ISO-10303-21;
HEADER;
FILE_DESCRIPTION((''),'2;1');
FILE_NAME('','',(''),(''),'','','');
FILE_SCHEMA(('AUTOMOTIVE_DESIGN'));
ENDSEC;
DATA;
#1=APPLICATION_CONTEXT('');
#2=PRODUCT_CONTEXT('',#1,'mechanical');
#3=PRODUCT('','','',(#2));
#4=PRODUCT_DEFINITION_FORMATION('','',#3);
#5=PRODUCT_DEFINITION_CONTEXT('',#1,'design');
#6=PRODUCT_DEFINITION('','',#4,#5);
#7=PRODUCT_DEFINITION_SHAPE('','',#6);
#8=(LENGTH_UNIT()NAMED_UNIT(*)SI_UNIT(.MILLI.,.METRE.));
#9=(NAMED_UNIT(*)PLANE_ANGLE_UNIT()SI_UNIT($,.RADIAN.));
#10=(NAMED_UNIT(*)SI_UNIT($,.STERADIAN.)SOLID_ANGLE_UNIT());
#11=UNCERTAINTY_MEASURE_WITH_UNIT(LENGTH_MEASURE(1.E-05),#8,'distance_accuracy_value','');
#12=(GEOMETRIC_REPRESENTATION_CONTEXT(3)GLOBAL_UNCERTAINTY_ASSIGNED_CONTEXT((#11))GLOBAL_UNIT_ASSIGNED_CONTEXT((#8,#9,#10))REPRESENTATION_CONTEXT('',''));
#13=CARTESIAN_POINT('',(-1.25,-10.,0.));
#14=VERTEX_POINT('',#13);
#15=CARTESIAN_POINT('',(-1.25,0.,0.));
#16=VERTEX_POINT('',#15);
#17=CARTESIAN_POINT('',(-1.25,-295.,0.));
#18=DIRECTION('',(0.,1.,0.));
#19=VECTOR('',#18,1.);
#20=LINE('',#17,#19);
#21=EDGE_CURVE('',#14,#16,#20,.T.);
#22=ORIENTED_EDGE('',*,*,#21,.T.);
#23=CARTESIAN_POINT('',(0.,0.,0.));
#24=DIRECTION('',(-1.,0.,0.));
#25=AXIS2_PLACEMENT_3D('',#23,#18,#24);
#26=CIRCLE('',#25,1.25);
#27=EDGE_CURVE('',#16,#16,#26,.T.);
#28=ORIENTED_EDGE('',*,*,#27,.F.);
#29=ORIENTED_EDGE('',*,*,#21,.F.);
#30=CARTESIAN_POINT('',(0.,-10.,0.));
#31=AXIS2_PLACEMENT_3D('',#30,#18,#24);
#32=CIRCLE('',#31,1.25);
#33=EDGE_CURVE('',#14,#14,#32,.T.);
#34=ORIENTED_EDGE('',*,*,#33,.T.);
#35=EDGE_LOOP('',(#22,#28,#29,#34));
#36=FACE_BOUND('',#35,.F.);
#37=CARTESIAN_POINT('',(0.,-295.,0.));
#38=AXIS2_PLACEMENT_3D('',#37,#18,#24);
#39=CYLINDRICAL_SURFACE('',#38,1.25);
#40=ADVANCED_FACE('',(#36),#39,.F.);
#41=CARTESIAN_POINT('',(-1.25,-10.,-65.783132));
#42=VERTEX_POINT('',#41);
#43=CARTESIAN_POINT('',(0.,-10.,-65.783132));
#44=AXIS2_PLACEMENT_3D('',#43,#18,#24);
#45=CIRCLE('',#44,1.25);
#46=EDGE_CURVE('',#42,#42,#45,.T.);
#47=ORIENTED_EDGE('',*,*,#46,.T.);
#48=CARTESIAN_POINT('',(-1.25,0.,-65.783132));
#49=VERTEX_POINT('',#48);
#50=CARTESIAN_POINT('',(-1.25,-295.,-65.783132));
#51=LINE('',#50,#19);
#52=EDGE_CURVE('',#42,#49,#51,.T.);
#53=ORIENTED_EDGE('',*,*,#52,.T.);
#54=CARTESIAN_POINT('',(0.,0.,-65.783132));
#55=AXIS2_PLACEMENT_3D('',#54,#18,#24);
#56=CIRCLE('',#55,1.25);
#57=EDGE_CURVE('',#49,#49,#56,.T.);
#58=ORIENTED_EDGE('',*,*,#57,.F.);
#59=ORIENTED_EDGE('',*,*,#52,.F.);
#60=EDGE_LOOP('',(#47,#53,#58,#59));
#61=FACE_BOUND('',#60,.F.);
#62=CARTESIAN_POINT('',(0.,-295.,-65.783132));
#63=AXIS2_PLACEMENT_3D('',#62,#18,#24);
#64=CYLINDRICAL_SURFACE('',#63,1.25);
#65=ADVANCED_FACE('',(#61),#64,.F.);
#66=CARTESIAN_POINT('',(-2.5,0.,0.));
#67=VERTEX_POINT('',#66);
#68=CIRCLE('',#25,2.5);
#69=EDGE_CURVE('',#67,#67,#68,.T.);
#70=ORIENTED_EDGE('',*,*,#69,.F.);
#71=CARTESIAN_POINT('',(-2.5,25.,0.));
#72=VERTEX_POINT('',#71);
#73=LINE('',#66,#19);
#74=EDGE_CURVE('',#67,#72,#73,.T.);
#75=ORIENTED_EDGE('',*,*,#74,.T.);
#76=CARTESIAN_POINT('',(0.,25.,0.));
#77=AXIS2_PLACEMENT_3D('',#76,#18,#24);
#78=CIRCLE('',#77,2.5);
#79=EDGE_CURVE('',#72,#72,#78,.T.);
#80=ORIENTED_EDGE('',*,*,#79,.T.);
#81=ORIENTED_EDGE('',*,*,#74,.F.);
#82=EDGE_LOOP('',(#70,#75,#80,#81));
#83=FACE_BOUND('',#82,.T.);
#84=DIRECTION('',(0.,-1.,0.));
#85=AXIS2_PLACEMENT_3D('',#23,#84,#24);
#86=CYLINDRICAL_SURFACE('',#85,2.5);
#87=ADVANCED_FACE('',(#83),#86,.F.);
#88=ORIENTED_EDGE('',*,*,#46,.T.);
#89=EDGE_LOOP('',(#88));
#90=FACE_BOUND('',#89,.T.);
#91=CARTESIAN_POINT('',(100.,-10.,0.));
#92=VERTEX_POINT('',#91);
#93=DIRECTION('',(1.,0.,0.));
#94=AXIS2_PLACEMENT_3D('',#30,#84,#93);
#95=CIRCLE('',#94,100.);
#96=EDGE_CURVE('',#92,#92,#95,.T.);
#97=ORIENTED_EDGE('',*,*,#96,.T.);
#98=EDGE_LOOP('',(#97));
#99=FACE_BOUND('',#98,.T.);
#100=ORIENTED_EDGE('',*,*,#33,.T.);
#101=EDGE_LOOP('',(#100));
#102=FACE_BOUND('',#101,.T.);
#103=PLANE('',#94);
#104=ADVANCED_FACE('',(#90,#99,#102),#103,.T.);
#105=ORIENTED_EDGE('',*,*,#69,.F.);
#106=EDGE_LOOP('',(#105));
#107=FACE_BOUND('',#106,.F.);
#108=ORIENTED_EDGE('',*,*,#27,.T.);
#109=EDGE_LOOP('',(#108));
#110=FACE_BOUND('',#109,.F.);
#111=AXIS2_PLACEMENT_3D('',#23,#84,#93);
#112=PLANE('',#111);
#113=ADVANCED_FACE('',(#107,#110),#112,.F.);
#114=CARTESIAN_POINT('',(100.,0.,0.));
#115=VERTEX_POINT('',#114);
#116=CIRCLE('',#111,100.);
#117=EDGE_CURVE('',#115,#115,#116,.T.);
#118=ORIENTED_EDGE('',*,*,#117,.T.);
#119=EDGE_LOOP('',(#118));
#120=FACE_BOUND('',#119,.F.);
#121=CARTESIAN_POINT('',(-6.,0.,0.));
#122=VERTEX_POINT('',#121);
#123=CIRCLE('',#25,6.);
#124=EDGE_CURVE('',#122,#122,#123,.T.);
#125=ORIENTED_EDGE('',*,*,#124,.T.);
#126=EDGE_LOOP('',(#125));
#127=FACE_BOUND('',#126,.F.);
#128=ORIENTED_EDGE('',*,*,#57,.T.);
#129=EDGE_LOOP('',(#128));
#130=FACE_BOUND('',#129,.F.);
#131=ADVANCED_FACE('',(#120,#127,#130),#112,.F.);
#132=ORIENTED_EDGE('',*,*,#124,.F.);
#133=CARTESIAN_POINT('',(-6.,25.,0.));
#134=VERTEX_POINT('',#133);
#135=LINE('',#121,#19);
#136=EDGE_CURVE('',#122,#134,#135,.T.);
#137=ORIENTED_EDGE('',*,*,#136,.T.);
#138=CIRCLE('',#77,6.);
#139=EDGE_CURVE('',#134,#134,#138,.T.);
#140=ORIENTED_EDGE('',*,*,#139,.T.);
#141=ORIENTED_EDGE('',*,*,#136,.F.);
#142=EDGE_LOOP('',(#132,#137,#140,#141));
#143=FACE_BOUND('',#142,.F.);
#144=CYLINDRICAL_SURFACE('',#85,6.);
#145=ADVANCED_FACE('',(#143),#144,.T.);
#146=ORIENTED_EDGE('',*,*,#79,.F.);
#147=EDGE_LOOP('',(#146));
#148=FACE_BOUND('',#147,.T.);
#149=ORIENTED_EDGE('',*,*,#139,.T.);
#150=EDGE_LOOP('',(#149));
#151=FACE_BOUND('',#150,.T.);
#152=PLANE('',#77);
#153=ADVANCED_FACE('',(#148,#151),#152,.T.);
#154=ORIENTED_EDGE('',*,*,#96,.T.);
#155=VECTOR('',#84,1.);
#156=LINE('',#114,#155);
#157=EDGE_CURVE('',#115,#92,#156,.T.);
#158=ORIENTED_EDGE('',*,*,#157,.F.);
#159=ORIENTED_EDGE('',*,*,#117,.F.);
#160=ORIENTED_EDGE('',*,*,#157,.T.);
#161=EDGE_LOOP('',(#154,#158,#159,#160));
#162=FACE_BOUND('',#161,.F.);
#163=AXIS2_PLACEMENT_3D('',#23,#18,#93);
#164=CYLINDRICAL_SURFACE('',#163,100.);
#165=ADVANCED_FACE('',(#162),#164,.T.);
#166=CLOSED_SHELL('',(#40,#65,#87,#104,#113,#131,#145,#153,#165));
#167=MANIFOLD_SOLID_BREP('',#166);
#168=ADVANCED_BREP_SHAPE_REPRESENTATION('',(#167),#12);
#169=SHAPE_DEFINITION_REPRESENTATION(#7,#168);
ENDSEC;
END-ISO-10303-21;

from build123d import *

# Parameters (mm, degrees)
F0_R     = 100
F1_DEPTH = 10
F3_R     = 6
F3_R_2   = 2.5
F4_DEPTH = 25
F5_D     = 2.5


with BuildPart() as f1:
    # F0 (on Front) → F1 (new body)
    with BuildSketch(Plane.XZ):
        Circle(F0_R)
    extrude(amount=F1_DEPTH)

    # F3 (on face) → F4 (join)
    with BuildSketch(Plane(origin=(0, 0, 0), x_dir=(-1, 0, 0), z_dir=(0, 1, 0))):
        Circle(F3_R)
        Circle(F3_R_2, mode=Mode.SUBTRACT)
    extrude(amount=F4_DEPTH)

    # F5 (through all)
    with Locations(Plane.XZ.offset(10)):
        with Locations((0, 0), (0, -65.783132)):
            Hole(F5_D / 2)


solid = f1.part
